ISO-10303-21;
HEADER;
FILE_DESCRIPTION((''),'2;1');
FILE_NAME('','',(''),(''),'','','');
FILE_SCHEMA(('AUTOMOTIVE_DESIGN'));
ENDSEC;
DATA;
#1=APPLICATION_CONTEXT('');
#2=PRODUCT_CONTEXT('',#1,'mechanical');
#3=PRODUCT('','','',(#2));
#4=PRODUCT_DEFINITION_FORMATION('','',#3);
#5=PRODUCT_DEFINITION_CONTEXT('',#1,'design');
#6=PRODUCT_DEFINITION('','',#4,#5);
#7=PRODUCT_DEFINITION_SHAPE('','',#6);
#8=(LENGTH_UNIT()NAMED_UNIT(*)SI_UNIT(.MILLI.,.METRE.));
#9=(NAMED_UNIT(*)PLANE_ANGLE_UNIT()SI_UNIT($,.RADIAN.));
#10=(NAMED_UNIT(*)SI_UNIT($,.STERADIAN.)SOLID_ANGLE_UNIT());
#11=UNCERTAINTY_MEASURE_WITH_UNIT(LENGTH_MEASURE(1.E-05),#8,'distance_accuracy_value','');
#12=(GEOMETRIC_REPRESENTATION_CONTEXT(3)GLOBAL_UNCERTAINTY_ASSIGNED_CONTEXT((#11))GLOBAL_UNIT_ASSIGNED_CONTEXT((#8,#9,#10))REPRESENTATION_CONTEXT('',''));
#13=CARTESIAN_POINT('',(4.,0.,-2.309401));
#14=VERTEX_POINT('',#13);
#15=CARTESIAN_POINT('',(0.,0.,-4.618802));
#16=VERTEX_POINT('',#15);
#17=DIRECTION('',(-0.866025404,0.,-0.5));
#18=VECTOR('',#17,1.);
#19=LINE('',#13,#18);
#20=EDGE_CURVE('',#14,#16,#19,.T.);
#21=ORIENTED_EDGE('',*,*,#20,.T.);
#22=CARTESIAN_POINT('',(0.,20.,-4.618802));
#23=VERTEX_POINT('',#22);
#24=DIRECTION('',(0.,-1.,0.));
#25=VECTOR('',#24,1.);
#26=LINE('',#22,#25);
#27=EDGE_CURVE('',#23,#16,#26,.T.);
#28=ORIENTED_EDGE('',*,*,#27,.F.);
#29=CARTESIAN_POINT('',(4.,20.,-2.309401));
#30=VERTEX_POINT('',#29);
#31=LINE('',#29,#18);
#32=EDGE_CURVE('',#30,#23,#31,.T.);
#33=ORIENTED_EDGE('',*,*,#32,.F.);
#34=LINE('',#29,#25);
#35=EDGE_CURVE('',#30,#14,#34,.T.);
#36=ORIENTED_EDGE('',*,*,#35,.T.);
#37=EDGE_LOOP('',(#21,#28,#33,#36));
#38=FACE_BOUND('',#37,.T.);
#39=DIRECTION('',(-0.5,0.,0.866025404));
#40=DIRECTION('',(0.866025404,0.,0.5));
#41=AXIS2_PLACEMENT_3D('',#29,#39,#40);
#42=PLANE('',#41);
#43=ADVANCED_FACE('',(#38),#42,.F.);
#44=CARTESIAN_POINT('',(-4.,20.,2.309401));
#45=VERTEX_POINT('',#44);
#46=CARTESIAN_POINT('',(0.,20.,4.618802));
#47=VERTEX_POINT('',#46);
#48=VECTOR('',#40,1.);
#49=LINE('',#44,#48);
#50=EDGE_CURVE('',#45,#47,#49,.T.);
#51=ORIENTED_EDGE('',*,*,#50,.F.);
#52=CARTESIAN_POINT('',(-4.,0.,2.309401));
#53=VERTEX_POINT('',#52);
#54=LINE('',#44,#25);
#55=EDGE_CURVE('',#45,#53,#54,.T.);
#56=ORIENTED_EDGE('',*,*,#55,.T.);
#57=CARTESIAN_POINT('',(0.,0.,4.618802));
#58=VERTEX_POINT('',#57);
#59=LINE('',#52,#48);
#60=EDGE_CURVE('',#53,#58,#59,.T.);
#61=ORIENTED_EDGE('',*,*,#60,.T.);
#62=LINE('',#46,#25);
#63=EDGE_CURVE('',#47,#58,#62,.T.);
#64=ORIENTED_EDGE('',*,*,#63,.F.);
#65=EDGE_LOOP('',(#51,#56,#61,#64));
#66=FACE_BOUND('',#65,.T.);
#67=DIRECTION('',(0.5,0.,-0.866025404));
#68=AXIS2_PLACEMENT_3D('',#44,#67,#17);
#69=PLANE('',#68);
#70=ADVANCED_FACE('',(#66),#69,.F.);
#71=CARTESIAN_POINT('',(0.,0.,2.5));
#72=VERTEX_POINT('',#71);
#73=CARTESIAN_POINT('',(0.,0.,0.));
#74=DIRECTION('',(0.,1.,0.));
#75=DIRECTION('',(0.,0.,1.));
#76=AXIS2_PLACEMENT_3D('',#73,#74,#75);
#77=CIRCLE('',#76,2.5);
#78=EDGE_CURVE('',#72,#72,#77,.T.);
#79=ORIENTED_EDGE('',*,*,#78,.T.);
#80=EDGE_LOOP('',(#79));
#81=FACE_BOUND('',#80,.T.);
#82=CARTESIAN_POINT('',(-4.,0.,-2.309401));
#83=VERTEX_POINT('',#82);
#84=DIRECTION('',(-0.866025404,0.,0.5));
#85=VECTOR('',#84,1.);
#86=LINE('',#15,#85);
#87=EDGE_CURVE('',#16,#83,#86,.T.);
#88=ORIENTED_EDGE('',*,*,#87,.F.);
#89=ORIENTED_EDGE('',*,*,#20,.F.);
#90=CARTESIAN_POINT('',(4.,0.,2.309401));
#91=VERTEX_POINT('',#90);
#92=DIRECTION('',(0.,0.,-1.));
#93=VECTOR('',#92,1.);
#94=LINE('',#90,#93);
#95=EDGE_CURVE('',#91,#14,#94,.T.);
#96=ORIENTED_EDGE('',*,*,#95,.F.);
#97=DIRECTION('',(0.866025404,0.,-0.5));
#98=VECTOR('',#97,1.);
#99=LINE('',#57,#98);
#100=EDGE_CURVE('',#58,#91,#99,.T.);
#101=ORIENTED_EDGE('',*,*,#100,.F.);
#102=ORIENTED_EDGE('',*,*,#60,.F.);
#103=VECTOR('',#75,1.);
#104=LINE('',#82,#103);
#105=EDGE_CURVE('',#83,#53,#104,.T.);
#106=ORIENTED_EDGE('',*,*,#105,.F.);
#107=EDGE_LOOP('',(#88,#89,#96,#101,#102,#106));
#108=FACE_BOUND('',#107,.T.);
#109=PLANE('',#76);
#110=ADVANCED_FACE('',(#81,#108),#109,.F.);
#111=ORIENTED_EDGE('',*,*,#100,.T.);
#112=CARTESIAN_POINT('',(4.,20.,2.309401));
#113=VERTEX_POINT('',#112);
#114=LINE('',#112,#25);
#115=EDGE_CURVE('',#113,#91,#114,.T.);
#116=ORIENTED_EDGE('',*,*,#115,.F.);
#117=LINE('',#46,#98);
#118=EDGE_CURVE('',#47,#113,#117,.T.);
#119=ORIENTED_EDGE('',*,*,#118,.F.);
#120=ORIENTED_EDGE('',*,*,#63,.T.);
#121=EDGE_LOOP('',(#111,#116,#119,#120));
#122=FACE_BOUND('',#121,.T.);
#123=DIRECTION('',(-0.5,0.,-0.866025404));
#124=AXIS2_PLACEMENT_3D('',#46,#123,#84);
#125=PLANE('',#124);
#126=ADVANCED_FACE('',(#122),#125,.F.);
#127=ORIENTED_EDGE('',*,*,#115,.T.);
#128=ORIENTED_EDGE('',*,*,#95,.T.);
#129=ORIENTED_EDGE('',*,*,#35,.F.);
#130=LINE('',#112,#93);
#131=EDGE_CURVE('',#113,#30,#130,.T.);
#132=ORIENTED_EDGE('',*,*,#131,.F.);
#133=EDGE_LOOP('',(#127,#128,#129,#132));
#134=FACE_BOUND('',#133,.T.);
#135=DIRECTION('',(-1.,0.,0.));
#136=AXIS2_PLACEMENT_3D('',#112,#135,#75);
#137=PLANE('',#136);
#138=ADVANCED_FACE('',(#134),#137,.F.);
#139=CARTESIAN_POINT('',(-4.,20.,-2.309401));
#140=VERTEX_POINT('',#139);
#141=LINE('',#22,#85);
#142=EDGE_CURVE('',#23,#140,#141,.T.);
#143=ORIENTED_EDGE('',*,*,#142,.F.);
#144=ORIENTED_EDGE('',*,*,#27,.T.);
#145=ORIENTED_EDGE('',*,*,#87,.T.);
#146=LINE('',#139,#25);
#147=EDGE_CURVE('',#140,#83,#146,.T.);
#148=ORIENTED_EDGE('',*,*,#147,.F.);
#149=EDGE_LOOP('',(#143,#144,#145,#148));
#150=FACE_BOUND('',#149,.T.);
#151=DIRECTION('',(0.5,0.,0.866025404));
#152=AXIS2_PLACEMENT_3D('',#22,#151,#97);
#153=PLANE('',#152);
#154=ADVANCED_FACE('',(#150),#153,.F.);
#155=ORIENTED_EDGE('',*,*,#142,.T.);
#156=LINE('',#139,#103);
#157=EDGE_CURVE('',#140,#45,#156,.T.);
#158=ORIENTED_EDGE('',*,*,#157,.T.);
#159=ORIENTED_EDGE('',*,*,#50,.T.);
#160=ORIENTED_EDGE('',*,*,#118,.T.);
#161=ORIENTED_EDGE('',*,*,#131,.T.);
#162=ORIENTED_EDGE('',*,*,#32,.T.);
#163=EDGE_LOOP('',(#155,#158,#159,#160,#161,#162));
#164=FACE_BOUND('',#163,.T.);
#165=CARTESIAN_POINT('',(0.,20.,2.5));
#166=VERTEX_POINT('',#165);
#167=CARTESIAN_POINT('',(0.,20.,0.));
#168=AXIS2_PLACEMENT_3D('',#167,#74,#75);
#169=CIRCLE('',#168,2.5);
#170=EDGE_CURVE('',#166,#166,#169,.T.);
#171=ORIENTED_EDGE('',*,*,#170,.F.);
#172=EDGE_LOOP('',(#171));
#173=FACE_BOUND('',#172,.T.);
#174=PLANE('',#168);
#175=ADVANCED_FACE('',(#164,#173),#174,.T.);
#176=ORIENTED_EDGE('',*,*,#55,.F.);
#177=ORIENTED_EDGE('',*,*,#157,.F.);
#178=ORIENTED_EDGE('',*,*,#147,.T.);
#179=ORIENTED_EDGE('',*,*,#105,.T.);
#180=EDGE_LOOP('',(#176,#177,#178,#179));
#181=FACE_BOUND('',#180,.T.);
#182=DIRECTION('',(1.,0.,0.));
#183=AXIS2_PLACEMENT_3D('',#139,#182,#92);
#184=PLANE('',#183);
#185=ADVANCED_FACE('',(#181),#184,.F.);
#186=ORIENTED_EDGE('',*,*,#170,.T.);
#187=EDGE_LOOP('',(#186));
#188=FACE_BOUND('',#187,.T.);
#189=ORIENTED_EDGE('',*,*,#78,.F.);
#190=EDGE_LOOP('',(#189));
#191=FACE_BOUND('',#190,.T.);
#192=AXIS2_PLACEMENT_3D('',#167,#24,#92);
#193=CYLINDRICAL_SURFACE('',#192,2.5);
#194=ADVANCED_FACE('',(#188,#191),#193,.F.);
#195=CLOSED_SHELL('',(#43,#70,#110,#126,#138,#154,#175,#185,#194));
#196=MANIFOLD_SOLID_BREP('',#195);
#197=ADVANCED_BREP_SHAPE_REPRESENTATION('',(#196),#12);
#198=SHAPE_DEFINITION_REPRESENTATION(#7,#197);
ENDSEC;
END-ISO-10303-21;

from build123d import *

# Parameters (mm, degrees)
SKETCH_1_R      = 2.5
EXTRUDE_1_DEPTH = 20


with BuildPart() as part:
    # 草图1 → 凸台-拉伸1 (new body)
    with BuildSketch(Plane(origin=(0, 0, 0), x_dir=(1, 0, 0), z_dir=(0, 1, 0))):
        Polygon((0, 4.618802154), (-4, 2.309401077), (-4, -2.309401077), (0, -4.618802154), (4, -2.309401077), (4, 2.309401077), align=None)
        with Locations(Location((0, 0, 0), (0, 0, 270))):
            Circle(SKETCH_1_R, mode=Mode.SUBTRACT)
    extrude(amount=EXTRUDE_1_DEPTH)


solid = part.part
